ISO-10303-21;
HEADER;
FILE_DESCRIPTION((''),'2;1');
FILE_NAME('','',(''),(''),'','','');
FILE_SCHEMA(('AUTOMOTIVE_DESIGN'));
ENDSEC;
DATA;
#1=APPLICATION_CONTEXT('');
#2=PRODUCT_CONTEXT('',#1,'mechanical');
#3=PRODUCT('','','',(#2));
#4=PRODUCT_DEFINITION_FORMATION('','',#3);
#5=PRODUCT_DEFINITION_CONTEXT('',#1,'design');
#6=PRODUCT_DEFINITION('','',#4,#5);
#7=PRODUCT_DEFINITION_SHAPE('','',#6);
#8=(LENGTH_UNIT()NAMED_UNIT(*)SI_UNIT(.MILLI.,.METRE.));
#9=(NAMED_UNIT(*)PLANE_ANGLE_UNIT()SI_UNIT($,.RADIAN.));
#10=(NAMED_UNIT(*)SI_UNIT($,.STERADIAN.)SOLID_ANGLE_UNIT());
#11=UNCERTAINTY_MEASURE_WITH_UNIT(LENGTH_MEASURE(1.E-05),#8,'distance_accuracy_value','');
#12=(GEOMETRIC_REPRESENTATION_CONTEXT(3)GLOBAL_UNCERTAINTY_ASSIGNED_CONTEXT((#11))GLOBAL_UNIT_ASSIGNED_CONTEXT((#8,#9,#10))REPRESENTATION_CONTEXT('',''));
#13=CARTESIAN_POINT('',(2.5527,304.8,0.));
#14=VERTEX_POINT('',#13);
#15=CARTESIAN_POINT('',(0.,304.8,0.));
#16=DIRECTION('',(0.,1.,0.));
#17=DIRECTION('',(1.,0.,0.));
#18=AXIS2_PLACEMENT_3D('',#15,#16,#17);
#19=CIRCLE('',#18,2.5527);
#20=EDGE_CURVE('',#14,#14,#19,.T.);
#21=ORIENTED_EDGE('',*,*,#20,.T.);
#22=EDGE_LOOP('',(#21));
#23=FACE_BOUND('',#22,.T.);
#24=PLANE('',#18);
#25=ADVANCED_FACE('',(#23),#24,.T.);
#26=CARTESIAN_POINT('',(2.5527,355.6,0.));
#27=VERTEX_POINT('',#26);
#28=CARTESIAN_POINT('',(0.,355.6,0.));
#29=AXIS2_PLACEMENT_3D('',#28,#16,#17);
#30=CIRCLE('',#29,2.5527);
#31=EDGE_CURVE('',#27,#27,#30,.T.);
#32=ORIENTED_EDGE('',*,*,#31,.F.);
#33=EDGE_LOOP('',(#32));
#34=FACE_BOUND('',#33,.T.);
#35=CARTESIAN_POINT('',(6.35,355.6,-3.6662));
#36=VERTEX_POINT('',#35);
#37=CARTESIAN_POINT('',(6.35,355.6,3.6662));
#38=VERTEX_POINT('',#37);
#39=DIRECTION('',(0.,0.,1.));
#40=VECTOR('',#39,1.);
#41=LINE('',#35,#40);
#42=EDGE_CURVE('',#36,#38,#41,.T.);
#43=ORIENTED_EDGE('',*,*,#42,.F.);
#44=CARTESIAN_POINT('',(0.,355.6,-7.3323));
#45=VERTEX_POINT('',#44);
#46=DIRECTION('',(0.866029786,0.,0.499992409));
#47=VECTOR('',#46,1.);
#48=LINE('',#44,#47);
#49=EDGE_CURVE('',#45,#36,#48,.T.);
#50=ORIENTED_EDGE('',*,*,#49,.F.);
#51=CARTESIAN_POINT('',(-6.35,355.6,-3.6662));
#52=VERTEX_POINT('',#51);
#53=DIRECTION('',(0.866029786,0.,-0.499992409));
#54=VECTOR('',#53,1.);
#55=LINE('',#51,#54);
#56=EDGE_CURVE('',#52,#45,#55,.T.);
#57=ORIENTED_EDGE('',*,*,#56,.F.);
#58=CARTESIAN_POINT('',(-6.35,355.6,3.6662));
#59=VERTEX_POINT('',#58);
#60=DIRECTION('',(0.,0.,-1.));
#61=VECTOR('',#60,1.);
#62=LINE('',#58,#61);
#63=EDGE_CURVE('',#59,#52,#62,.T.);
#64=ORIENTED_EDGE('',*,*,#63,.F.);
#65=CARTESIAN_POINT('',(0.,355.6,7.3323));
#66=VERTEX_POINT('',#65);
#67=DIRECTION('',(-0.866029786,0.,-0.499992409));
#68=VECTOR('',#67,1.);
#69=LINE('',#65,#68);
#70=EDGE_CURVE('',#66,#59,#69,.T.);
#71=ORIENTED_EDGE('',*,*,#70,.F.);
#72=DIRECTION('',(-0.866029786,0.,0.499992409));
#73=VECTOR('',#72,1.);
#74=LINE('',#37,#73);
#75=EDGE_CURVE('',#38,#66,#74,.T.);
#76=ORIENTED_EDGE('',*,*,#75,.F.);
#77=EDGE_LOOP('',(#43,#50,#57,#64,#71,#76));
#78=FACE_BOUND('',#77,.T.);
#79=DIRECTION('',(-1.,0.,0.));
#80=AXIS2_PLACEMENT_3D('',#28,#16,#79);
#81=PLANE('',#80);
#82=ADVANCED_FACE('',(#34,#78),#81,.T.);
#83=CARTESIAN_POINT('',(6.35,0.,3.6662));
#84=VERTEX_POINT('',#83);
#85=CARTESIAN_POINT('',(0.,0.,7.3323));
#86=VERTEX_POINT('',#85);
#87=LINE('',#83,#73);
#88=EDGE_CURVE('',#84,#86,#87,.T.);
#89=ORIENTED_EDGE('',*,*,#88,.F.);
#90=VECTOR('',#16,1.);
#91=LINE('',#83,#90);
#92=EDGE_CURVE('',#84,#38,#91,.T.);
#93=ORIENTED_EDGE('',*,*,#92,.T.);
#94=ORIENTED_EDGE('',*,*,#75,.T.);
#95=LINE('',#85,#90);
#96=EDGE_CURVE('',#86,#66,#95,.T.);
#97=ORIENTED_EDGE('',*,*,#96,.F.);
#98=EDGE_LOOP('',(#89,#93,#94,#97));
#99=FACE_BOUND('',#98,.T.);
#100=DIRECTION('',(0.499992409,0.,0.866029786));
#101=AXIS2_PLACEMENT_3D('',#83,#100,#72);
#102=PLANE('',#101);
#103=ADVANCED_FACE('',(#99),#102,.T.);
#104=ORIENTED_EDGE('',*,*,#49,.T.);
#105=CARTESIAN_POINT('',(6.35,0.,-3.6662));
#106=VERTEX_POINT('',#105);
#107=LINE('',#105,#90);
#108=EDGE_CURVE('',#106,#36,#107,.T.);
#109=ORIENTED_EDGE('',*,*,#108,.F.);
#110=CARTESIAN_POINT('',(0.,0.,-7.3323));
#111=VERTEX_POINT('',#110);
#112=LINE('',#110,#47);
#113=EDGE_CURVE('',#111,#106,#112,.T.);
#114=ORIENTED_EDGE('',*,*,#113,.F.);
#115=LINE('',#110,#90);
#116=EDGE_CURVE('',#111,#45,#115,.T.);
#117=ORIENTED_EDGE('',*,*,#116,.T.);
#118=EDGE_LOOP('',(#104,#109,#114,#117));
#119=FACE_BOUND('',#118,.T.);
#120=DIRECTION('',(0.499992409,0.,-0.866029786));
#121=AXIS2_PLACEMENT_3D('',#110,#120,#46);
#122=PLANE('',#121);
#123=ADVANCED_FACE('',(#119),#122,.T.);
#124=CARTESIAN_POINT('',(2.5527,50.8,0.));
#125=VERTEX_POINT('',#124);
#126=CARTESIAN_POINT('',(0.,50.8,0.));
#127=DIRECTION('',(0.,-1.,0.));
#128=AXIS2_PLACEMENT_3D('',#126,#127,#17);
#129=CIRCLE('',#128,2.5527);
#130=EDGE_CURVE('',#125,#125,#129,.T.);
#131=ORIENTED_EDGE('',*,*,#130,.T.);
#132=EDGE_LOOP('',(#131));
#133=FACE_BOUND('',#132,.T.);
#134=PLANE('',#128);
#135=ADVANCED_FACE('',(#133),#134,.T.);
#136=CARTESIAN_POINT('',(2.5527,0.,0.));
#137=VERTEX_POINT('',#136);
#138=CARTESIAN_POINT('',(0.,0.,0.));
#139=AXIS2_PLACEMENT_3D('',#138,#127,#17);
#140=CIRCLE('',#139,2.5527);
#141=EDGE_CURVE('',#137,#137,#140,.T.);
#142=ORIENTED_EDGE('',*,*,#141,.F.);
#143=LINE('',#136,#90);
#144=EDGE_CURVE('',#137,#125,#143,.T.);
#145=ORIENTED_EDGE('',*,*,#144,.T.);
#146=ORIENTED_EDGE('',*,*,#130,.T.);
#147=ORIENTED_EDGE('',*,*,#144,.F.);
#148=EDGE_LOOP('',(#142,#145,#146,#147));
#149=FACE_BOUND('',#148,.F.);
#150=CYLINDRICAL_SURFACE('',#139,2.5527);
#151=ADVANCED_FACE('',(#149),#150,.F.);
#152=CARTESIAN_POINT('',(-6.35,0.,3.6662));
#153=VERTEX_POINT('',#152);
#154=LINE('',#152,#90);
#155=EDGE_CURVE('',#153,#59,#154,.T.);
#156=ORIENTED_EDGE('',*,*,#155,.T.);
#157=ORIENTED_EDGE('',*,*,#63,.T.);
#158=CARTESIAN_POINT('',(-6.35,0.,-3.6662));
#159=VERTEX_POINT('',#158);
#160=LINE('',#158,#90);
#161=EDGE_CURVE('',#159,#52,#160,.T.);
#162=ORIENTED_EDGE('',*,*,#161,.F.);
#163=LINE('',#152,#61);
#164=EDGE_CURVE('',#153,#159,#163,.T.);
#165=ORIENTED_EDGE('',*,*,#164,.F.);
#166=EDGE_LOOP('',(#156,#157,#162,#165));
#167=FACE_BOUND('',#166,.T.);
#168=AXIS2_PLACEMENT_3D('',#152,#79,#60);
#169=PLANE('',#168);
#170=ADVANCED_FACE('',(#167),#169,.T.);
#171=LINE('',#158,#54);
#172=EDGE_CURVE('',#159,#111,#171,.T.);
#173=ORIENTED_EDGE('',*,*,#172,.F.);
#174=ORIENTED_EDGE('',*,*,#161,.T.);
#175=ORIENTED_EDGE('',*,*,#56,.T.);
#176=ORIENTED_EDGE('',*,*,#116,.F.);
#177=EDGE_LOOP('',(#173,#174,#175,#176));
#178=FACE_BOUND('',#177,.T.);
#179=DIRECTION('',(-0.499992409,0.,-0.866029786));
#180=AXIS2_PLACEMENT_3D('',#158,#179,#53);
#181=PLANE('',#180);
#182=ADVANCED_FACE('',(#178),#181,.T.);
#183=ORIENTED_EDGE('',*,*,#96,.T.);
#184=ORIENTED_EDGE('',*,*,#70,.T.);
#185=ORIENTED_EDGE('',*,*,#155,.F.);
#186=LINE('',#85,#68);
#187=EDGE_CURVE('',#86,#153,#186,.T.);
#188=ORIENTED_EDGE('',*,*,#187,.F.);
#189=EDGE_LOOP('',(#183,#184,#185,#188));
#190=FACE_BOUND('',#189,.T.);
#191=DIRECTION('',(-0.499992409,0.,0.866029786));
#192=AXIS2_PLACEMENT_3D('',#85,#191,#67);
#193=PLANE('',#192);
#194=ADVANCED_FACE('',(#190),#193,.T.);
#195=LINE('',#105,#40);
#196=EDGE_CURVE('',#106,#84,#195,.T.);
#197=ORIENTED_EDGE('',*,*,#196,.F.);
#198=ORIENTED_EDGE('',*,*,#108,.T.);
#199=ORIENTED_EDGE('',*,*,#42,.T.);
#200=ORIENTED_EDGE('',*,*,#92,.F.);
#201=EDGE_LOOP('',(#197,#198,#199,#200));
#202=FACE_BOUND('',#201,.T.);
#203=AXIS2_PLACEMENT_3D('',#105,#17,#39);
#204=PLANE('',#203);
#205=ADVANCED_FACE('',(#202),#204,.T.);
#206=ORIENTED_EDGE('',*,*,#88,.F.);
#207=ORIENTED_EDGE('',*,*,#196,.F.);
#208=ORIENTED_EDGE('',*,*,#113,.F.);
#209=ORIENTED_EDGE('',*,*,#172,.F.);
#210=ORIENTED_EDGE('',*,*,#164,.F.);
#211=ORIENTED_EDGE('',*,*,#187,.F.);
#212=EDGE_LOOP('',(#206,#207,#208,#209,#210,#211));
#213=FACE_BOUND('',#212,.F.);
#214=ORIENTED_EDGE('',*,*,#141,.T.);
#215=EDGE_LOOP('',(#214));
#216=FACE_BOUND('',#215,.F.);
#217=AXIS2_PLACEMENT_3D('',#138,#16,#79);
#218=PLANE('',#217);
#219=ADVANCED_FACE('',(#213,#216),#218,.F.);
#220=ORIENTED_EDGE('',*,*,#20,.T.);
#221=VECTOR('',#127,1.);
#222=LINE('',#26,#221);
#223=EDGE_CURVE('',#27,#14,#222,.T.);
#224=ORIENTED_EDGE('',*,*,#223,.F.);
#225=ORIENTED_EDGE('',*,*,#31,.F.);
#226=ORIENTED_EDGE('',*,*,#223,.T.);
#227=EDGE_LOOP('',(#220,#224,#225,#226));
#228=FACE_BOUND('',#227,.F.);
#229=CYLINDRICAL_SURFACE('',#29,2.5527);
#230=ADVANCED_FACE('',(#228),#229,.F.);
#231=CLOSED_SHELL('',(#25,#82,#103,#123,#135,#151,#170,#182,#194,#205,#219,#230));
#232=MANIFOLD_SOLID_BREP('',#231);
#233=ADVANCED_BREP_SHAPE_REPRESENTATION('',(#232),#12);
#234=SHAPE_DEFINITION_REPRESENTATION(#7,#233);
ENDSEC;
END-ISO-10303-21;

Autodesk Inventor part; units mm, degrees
ref_plane "YZ Plane" through (0, 0, 0) normal (1, 0, 0) x (0, 1, 0)
ref_plane "XZ Plane" through (0, 0, 0) normal (0, 1, 0) x (-1, 0, 0)
ref_plane "XY Plane" through (0, 0, 0) normal (0, 0, 1) x (1, 0, 0)
sketch "Sketch1" plane through (0, 0, 0) normal (0, 1, 0) x (-1, 0, 0)
  line L0 (6.35, 3.6662) -> (6.35, -3.6662)
  line L1 (6.35, -3.6662) -> (0, -7.3323)
  line L2 (0, -7.3323) -> (-6.35, -3.6662)
  line L3 (-6.35, -3.6662) -> (-6.35, 3.6662)
  line L4 (-6.35, 3.6662) -> (0, 7.3323)
  line L5 (0, 7.3323) -> (6.35, 3.6662)
  point P0 (0, 0)
  point P1 (0, 0)
  point P2 (-6.35, 0)
  dimension "d0" = 12.7
extrude "Extrusion1" add sketch "Sketch1" along normal blind 355.6
sketch "Sketch2" plane through (0, 355.6, 0) normal (0, 1, 0) x (1, 0, 0)
  circle A0 centre (0, 0) radius 2.5527
  dimension "d3" = 5.1054
extrude "Extrusion2" cut sketch "Sketch2" against normal blind 50.8
sketch "Sketch3" plane through (0, 0, 0) normal (0, -1, 0) x (1, 0, 0)
  circle A0 centre (0, 0) radius 2.5527 projected
  circle A1 centre (0, 0) radius 2.5527
extrude "Extrusion3" cut sketch "Sketch3" against normal blind 50.8
thread "Thread1" size "1/4-20 UNC" class "2B" standard "ANSI Unified Screw Threads" full length
properties part number "CORL_014_Shaft" material "Aluminum 6061"
